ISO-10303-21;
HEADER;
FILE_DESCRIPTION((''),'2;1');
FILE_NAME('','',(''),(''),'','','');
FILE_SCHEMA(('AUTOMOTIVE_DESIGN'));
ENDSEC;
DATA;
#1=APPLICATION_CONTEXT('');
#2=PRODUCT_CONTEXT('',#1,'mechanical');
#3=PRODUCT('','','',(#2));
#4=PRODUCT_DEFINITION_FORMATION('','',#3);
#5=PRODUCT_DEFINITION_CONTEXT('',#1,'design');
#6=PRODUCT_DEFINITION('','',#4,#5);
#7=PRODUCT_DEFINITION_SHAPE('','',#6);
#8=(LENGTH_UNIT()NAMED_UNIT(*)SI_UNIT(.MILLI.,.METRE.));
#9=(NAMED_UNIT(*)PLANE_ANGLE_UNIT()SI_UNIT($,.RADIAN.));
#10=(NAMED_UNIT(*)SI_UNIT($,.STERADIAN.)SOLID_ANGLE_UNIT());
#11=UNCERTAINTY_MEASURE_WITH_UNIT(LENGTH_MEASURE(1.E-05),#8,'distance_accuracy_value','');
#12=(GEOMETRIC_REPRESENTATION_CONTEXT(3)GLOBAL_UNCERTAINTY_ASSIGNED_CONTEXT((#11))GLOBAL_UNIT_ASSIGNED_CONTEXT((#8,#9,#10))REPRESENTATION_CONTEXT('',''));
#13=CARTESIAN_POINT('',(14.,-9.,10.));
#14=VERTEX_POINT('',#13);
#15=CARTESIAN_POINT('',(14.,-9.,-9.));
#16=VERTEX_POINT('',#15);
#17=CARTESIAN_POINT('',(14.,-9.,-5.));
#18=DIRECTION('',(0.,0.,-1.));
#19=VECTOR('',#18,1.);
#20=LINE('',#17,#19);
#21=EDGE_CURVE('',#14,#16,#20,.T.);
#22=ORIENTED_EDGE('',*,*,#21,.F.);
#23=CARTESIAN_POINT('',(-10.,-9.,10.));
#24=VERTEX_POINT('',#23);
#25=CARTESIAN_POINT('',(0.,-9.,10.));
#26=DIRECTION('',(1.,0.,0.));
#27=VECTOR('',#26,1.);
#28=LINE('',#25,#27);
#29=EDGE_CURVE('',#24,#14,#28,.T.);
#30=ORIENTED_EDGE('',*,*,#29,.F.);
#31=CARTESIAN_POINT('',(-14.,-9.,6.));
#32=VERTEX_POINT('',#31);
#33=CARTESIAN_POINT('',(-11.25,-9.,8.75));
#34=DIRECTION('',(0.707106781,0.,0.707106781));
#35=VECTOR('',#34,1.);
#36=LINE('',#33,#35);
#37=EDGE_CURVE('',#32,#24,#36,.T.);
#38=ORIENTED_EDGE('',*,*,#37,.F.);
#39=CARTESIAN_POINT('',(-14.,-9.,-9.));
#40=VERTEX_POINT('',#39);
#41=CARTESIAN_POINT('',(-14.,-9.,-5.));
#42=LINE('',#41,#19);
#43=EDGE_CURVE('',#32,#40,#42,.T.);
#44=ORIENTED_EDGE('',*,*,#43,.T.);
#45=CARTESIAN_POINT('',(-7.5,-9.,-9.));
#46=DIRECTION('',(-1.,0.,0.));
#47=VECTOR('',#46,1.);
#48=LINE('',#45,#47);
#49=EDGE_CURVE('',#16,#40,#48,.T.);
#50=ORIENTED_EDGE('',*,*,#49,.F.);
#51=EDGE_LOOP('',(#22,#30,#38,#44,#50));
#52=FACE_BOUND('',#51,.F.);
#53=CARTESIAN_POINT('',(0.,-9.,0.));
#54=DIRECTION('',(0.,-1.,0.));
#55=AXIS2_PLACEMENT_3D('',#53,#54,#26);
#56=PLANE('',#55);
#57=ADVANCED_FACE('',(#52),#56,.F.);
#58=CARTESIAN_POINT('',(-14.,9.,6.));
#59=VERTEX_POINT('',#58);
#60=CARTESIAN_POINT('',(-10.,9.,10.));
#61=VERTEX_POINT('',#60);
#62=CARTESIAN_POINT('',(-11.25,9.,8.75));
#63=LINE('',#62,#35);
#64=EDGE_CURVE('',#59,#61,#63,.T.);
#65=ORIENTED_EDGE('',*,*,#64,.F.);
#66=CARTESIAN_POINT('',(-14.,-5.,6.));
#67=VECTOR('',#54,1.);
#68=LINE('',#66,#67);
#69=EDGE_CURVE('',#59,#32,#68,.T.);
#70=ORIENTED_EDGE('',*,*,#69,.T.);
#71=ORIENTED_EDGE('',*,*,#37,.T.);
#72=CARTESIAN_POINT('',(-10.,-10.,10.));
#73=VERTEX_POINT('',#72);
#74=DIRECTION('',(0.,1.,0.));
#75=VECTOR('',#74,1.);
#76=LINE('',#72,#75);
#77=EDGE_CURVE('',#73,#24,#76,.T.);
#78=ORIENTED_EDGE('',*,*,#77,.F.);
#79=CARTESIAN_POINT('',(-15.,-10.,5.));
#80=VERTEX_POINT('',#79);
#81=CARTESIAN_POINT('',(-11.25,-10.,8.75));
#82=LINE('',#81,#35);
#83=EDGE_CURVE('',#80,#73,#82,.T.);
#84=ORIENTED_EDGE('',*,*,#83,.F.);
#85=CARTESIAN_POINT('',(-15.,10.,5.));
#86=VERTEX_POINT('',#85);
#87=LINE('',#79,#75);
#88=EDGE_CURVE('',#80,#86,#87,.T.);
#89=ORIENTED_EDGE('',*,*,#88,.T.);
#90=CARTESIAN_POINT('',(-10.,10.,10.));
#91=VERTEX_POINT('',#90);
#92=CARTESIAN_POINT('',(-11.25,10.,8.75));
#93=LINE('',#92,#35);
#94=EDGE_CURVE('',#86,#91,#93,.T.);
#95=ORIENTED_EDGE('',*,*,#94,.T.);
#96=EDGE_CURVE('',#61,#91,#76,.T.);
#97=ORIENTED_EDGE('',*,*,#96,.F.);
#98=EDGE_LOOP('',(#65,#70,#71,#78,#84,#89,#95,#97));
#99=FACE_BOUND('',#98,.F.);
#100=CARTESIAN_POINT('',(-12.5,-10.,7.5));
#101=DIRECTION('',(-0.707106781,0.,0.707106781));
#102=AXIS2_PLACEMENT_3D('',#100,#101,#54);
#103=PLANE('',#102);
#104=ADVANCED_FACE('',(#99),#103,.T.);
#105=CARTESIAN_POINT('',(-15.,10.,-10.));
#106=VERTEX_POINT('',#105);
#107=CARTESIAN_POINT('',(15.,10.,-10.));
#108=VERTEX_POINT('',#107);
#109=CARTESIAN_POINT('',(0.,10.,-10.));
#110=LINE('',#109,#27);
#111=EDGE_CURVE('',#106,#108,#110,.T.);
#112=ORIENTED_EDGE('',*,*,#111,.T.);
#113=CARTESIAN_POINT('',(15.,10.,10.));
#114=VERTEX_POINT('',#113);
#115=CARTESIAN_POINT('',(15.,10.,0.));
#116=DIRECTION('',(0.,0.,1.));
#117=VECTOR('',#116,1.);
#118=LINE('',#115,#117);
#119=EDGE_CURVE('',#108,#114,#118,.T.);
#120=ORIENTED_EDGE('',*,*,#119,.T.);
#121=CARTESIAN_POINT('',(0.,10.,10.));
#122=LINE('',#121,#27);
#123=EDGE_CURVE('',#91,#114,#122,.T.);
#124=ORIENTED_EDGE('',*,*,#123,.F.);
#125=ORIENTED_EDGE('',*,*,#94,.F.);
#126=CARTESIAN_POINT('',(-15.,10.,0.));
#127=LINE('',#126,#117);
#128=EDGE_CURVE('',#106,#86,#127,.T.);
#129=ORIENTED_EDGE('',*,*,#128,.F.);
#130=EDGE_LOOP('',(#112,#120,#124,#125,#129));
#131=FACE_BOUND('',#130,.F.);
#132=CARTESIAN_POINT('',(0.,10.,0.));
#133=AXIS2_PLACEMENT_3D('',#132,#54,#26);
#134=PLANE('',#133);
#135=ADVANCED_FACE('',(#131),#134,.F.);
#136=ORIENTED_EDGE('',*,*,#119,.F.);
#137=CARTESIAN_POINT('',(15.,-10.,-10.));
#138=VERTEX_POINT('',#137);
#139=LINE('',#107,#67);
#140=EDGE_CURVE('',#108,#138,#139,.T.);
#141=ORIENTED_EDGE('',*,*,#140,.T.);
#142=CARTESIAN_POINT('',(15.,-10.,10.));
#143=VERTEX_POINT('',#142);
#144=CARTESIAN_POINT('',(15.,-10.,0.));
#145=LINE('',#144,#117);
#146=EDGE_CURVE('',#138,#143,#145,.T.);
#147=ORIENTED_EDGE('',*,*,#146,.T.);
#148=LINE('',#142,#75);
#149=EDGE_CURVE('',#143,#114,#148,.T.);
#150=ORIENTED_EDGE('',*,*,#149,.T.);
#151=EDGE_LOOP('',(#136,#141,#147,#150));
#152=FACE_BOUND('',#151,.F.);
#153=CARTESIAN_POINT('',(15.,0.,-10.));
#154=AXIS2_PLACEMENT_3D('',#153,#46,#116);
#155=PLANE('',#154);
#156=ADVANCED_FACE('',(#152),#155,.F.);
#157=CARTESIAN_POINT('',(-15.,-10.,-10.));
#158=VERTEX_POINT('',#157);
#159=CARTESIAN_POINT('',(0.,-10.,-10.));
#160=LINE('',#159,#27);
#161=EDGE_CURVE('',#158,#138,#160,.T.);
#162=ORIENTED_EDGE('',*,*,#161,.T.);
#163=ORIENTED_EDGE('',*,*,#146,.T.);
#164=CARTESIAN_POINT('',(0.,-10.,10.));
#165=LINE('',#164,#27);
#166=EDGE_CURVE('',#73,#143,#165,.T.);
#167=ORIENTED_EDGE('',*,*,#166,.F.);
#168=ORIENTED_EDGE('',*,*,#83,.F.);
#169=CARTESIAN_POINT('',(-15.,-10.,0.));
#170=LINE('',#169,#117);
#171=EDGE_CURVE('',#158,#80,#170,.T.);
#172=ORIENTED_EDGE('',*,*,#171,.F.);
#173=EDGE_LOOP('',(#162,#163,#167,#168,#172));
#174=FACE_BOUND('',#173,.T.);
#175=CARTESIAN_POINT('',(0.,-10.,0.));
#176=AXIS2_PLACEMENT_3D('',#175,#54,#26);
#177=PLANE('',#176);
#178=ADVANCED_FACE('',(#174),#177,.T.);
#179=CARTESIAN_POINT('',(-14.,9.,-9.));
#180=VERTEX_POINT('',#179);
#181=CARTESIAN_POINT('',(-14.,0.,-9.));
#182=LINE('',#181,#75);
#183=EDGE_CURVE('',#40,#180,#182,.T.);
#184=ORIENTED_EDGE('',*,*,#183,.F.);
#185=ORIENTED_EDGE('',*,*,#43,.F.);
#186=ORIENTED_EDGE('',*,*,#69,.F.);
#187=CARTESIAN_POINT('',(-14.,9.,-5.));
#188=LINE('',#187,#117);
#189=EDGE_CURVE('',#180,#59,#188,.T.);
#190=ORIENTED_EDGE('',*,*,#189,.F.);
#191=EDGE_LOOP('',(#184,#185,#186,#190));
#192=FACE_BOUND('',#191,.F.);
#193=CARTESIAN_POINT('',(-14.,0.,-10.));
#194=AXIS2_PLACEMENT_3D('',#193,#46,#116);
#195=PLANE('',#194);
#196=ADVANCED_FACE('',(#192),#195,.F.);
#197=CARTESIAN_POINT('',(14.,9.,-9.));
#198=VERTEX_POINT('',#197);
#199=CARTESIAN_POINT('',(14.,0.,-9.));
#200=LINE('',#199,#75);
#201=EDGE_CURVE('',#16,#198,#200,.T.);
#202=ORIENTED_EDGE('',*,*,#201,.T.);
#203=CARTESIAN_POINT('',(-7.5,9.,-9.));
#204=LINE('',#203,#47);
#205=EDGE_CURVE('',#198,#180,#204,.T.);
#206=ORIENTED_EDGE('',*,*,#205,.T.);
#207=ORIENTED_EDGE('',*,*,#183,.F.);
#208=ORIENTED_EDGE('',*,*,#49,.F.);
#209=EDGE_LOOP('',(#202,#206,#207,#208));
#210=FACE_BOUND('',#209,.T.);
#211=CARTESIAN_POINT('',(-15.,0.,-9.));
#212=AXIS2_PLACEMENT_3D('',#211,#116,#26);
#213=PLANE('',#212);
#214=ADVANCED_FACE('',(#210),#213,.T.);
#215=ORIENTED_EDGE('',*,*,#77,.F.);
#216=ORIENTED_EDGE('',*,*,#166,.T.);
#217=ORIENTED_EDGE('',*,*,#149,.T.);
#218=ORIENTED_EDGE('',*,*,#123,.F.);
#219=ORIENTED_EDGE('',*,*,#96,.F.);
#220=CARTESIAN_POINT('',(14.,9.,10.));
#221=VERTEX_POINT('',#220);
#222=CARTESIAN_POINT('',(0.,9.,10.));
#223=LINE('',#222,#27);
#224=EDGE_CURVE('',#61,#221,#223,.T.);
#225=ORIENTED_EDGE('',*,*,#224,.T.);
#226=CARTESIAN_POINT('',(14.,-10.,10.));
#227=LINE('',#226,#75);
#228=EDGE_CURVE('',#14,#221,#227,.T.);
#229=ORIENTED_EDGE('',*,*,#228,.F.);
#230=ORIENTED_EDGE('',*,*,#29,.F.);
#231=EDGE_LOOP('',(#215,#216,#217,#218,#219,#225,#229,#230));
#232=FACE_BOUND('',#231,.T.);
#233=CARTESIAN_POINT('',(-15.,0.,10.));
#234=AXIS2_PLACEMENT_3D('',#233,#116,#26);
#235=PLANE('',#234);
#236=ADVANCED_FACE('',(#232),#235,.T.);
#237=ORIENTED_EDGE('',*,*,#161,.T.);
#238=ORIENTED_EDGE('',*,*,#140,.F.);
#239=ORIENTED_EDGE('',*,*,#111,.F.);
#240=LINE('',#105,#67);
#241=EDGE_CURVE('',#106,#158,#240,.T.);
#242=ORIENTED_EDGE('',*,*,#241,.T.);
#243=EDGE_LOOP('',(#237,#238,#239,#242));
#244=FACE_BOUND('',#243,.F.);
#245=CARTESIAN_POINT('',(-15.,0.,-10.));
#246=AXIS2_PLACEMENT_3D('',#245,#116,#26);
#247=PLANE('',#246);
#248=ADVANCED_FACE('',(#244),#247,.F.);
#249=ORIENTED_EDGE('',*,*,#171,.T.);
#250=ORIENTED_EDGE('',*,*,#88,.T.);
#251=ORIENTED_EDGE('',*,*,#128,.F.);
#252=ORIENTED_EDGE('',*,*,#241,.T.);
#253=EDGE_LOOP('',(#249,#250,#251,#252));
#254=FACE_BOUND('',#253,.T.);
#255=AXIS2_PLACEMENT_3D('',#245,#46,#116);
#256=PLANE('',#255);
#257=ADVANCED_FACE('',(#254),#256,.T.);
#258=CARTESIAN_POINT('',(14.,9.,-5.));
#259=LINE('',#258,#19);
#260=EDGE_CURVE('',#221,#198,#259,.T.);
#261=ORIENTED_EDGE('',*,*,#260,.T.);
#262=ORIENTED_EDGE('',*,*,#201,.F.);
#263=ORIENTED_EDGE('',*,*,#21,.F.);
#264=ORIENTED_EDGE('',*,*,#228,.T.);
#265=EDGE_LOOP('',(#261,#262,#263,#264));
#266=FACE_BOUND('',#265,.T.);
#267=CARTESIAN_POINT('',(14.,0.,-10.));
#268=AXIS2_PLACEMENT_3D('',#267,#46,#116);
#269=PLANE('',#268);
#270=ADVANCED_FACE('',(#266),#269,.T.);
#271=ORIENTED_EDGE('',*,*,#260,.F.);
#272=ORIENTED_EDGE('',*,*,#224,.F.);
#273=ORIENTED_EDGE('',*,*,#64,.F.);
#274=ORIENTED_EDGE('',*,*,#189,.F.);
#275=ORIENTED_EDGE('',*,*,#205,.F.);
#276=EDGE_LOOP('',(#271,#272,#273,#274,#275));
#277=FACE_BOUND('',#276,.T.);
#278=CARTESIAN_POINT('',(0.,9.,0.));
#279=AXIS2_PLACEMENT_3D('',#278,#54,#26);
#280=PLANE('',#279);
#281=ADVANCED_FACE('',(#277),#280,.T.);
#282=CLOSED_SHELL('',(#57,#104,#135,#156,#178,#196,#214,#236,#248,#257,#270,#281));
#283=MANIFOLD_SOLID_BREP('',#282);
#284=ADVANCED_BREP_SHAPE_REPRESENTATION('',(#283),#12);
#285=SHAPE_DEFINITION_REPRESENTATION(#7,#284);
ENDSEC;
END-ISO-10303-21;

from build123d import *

# Parameters (mm, degrees)
F0_W          = 30
F0_H          = 20
F1_DEPTH      = 10
F1_DEPTH_BACK = 10
F2_SIZE       = 5
F3_T          = -1


with BuildPart() as f1:
    # F0 (on Front) → F1 (new body, two sides)
    with BuildSketch(Plane.XZ) as f1_sk:
        Rectangle(F0_W, F0_H)
    extrude(amount=-F1_DEPTH)
    extrude(f1_sk.sketch, amount=F1_DEPTH_BACK)

    # F2
    f2_edges = [f1.edges().sort_by_distance(p)[0] for p in [
        (-15, 0, 10),
    ]]
    chamfer(f2_edges, length=F2_SIZE)

    # F3
    f3_openings = [f1.faces().sort_by_distance(p)[0] for p in [
        (2.5, 0, 10),
        (-12.5, 0, 7.5),
    ]]
    offset(amount=F3_T, openings=f3_openings)


solid = f1.part
